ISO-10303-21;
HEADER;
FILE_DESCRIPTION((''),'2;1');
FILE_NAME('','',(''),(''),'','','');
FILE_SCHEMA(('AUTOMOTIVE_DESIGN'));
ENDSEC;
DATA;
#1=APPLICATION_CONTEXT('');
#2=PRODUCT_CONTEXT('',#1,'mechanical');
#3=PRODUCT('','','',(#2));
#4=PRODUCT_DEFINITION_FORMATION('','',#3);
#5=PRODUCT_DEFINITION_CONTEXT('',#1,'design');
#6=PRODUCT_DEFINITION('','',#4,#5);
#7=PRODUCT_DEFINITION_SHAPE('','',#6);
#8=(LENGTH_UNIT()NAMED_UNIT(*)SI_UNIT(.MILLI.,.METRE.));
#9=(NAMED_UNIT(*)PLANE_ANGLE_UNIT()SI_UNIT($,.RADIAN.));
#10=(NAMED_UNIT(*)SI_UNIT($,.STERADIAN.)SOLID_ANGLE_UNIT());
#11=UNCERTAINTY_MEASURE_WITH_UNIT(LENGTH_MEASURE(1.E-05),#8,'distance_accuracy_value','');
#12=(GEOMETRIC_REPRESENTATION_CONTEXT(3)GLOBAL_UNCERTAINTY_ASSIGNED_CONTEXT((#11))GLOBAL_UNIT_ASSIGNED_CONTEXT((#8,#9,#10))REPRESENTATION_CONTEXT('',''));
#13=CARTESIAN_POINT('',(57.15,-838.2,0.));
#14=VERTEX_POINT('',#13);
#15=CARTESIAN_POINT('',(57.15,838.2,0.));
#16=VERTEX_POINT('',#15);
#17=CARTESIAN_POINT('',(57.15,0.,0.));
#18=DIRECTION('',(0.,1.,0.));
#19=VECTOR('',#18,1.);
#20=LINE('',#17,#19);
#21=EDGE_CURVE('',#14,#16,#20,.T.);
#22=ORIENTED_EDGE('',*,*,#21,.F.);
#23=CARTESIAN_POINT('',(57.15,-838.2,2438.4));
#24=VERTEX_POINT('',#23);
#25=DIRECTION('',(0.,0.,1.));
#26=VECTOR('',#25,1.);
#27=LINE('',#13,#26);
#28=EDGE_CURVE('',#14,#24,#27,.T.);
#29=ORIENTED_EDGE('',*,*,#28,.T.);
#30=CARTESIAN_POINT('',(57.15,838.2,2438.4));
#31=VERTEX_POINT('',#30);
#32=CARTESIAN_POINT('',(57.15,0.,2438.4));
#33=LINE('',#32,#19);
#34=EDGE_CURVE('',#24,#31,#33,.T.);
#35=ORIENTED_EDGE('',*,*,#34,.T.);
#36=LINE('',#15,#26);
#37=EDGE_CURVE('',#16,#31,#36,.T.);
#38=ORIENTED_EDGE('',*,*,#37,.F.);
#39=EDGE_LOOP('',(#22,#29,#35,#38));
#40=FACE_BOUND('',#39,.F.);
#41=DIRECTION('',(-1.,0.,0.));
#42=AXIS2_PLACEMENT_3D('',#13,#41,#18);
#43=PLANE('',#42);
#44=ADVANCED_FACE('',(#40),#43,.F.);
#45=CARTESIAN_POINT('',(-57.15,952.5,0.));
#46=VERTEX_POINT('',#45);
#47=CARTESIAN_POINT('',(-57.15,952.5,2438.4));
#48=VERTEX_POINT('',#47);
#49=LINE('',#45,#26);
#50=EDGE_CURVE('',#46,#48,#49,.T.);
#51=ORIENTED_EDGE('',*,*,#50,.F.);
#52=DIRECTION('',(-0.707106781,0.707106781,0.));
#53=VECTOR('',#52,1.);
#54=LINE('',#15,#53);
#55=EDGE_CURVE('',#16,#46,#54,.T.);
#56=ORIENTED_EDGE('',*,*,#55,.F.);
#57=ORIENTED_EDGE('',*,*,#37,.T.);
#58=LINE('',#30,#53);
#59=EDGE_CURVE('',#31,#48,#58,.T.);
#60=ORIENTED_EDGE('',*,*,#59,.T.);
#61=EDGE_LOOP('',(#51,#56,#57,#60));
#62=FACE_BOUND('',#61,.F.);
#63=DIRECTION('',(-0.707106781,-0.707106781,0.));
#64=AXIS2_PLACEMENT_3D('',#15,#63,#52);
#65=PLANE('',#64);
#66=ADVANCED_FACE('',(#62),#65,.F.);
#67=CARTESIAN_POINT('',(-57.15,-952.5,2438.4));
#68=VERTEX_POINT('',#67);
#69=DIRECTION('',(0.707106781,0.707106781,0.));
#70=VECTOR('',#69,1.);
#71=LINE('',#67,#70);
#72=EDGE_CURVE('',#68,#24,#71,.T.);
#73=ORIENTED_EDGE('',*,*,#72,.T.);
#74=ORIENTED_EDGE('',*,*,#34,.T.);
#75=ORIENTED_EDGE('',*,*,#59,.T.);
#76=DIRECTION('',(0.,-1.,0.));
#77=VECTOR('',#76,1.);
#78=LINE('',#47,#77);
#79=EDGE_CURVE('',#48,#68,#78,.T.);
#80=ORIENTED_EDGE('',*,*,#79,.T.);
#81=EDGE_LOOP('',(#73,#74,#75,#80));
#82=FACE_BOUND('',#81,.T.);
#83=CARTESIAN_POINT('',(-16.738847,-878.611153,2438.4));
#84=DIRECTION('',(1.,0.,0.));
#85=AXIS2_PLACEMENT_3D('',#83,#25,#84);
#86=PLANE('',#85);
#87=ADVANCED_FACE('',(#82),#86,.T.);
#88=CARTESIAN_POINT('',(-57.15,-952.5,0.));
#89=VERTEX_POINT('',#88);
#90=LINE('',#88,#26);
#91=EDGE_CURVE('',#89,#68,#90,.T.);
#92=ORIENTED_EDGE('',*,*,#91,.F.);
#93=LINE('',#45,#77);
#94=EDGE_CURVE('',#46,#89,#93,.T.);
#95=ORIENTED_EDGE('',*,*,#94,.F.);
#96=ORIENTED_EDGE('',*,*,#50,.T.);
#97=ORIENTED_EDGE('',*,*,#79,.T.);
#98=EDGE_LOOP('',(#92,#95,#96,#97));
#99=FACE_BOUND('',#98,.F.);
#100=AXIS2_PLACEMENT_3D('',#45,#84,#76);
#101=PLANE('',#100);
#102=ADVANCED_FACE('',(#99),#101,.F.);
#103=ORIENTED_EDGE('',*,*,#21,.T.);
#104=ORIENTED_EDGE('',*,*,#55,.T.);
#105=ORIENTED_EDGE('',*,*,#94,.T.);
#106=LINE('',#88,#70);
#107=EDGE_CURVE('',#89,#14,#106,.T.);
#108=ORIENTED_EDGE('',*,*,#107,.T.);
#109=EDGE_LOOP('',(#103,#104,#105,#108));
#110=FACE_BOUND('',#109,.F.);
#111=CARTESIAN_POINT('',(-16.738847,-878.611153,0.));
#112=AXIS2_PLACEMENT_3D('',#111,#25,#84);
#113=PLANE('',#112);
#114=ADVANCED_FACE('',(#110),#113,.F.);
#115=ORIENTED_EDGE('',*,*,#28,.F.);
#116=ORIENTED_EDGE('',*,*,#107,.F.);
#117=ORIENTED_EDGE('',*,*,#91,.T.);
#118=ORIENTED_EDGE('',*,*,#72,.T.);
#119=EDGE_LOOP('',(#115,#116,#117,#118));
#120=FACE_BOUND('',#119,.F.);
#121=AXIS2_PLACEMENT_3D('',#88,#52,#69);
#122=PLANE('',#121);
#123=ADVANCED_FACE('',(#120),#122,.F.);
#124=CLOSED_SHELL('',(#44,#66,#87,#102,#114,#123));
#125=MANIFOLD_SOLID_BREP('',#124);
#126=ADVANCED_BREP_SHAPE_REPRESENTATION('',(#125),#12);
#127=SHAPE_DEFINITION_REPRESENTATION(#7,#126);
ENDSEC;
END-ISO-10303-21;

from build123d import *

# Parameters (mm, degrees)
F0_W     = 114.3
F0_H     = 1676.4
F1_DEPTH = 2438.4


with BuildPart() as f1:
    # F0 (on Top) → F1 (new body)
    with BuildSketch(Plane.XY):
        Polygon((-57.15, -952.5), (57.15, -838.2), (-57.15, -838.2), align=None)
        Rectangle(F0_W, F0_H)
        Polygon((-57.15, 838.2), (57.15, 838.2), (-57.15, 952.5), align=None)
    extrude(amount=F1_DEPTH)


solid = f1.part
